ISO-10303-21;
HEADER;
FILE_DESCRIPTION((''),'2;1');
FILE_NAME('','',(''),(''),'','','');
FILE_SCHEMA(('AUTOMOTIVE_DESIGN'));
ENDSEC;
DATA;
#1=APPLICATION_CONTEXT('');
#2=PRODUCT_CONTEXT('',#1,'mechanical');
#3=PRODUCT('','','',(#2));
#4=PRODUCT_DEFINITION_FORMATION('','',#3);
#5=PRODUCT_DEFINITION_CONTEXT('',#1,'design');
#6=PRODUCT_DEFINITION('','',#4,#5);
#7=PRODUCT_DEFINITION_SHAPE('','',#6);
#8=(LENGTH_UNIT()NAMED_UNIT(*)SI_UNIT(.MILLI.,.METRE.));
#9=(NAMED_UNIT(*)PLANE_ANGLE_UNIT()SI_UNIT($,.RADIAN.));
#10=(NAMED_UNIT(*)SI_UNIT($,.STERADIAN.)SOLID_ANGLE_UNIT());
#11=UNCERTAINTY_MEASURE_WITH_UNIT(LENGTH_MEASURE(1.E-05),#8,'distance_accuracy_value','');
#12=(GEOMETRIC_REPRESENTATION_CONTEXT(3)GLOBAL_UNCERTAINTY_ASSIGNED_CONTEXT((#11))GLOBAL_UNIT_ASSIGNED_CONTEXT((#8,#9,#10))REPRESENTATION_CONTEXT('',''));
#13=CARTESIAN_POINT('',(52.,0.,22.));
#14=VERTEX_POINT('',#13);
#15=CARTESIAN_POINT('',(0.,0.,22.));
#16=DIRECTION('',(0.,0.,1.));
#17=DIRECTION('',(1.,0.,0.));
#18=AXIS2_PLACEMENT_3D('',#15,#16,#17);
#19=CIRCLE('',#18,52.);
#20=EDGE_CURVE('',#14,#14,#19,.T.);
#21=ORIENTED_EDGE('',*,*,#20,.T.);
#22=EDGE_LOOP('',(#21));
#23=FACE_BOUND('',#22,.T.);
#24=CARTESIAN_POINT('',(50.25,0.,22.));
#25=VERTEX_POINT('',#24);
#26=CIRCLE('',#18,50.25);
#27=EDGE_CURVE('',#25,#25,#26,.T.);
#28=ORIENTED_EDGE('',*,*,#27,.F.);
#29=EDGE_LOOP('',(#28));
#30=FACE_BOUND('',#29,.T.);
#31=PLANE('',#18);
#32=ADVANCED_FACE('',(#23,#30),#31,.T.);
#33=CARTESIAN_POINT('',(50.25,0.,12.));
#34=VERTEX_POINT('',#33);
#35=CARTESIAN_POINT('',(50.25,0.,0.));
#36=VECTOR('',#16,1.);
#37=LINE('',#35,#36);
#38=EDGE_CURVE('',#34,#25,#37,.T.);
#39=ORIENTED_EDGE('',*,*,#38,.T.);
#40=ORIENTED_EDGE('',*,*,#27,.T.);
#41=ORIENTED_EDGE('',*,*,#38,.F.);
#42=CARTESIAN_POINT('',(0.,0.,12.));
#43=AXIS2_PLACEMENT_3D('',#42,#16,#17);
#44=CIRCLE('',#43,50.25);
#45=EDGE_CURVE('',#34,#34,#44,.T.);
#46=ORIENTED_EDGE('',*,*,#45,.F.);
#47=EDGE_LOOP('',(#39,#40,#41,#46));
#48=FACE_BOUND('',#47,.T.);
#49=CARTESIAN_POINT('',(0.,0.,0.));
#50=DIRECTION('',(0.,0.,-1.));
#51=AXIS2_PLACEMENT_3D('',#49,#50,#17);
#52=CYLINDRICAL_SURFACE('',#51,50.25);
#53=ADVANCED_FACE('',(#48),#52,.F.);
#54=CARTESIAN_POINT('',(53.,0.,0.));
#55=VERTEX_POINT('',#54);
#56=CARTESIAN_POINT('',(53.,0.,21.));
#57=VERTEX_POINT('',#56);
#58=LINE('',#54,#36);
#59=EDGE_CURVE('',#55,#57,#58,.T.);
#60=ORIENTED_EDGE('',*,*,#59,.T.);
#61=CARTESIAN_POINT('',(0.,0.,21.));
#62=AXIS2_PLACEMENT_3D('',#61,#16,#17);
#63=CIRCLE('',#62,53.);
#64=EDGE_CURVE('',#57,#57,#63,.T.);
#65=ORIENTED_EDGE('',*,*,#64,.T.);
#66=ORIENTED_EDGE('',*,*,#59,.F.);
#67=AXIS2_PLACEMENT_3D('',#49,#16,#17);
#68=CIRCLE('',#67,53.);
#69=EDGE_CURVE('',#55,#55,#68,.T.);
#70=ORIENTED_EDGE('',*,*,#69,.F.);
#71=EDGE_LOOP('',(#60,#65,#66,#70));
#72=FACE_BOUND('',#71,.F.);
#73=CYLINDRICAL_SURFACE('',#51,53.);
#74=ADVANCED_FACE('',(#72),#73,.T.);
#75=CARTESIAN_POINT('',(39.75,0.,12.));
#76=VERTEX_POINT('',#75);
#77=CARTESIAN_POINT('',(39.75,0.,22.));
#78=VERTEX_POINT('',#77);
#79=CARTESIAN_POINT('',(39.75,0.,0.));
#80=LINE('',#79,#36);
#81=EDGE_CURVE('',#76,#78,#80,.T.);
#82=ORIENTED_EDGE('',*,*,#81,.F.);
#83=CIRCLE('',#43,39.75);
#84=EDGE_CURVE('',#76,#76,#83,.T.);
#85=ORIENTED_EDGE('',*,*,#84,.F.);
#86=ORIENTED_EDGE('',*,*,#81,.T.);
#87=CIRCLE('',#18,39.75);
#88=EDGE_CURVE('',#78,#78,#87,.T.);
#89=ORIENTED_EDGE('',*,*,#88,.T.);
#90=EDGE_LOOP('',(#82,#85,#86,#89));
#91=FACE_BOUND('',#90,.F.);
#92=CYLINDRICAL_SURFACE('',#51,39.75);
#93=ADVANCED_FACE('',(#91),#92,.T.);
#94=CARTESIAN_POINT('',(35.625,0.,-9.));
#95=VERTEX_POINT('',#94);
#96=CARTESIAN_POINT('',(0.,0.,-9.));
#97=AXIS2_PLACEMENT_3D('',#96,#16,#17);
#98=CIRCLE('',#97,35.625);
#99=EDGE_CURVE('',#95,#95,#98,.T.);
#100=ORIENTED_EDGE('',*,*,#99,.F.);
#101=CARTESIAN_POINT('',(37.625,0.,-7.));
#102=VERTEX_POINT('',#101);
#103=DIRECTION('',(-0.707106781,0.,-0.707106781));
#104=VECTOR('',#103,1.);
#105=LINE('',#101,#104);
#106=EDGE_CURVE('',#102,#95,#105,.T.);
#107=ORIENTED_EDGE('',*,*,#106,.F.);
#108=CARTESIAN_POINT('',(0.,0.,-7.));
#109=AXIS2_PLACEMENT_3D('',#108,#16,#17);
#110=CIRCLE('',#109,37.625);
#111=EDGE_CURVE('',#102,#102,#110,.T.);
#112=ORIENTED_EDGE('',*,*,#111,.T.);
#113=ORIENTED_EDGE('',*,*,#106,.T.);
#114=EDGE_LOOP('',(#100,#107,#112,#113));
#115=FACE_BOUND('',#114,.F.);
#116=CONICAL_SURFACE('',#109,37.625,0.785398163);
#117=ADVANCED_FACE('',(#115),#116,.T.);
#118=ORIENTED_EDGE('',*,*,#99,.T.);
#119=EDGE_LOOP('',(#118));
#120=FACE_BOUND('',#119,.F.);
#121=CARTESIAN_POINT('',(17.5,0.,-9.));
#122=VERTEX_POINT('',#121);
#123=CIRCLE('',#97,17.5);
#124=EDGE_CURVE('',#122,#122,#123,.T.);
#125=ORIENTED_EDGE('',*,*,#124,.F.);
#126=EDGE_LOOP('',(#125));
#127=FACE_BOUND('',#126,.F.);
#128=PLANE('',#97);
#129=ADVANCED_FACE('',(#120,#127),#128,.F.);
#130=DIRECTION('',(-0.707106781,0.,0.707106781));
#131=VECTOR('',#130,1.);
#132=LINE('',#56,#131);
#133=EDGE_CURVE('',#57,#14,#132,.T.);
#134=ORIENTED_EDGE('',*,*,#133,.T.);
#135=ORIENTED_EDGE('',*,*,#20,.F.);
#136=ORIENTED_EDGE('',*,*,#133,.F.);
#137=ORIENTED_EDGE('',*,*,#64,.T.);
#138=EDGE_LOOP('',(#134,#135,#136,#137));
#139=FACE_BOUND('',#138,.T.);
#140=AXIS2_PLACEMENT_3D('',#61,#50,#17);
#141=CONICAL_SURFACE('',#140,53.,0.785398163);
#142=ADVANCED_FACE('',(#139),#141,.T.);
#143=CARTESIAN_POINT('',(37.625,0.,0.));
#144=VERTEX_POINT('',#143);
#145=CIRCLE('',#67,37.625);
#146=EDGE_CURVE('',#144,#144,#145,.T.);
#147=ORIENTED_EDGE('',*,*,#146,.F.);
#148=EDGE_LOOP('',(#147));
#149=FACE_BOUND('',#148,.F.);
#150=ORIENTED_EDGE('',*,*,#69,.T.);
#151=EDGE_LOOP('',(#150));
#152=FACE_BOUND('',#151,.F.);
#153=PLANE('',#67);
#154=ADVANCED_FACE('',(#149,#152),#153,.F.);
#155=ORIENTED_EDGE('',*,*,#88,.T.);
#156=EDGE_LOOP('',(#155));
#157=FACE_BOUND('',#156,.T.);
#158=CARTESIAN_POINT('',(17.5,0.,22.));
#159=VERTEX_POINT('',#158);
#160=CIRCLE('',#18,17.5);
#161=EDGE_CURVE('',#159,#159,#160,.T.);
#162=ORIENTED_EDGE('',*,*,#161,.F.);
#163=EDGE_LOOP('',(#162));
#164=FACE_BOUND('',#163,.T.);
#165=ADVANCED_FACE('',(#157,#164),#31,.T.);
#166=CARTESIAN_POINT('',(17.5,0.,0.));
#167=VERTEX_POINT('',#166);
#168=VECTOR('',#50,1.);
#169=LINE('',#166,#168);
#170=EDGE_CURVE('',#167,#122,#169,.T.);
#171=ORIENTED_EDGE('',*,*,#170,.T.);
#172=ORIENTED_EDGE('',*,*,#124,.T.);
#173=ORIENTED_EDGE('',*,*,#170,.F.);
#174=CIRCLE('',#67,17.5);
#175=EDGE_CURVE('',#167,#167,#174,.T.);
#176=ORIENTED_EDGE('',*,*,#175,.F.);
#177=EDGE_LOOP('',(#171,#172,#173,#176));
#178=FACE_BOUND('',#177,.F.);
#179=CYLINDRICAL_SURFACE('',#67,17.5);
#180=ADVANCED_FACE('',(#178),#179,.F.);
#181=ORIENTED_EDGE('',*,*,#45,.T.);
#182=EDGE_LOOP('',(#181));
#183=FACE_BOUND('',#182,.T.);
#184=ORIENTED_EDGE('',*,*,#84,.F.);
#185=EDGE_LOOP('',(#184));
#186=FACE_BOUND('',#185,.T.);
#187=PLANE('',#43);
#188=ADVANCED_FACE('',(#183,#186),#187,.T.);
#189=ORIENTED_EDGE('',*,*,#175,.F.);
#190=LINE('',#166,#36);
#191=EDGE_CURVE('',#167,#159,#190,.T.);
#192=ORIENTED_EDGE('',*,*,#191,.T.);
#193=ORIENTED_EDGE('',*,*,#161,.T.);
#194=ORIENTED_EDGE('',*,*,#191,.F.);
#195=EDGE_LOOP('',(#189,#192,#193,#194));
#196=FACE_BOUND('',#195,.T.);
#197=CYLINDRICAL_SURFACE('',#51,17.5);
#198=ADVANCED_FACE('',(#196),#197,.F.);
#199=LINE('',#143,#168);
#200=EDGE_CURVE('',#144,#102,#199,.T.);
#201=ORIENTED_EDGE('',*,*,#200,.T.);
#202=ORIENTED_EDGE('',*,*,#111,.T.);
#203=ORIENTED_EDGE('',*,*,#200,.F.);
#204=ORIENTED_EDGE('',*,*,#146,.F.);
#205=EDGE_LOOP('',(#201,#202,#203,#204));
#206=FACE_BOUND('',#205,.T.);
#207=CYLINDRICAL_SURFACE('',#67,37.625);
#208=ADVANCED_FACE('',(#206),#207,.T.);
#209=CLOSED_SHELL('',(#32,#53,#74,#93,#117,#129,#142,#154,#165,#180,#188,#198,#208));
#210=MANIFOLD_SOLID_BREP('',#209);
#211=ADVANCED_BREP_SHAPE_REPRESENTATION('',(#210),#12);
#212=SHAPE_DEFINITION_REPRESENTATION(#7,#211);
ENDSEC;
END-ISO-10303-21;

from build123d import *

# Parameters (mm, degrees)
F0_R     = 53
F0_R_2   = 50.25
F1_DEPTH = 22
F0_R_3   = 39.75
F0_R_4   = 17.5
F2_SIZE  = 1
F3_DEPTH = 12
F4_R     = 37.625
F4_R_2   = 17.5
F5_DEPTH = 9
F6_SIZE  = 2


with BuildPart() as f1:
    # F0 (on Top) → F1 (new body)
    with BuildSketch(Plane.XY):
        Circle(F0_R)
        Circle(F0_R_2, mode=Mode.SUBTRACT)
    extrude(amount=F1_DEPTH)

    # F2
    f2_edges = [f1.edges().sort_by_distance(p)[0] for p in [
        (-53, 0, 22),
    ]]
    chamfer(f2_edges, length=F2_SIZE)



with BuildPart() as f1b:
    # F0 (on Top) → F1, piece 2 (new body)
    with BuildSketch(Plane.XY):
        Circle(F0_R_3)
        Circle(F0_R_4, mode=Mode.SUBTRACT)
    extrude(amount=F1_DEPTH)


with BuildPart() as f1_1:
    add(f1.part)

    add(f1b.part)  # F3 merges F1b
    # F0 (on Top) → F3 (join)
    with BuildSketch(Plane.XY):
        Circle(F0_R_2)
        Circle(F0_R_3, mode=Mode.SUBTRACT)
    extrude(amount=F3_DEPTH)

    # F4 (on face) → F5 (join)
    with BuildSketch(Plane.XY):
        Circle(F4_R)
        Circle(F4_R_2, mode=Mode.SUBTRACT)
    extrude(amount=-F5_DEPTH)

    # F6
    f6_edges = [f1_1.edges().sort_by_distance(p)[0] for p in [
        (-37.625, 0, -9),
    ]]
    chamfer(f6_edges, length=F6_SIZE)


solid = f1_1.part
